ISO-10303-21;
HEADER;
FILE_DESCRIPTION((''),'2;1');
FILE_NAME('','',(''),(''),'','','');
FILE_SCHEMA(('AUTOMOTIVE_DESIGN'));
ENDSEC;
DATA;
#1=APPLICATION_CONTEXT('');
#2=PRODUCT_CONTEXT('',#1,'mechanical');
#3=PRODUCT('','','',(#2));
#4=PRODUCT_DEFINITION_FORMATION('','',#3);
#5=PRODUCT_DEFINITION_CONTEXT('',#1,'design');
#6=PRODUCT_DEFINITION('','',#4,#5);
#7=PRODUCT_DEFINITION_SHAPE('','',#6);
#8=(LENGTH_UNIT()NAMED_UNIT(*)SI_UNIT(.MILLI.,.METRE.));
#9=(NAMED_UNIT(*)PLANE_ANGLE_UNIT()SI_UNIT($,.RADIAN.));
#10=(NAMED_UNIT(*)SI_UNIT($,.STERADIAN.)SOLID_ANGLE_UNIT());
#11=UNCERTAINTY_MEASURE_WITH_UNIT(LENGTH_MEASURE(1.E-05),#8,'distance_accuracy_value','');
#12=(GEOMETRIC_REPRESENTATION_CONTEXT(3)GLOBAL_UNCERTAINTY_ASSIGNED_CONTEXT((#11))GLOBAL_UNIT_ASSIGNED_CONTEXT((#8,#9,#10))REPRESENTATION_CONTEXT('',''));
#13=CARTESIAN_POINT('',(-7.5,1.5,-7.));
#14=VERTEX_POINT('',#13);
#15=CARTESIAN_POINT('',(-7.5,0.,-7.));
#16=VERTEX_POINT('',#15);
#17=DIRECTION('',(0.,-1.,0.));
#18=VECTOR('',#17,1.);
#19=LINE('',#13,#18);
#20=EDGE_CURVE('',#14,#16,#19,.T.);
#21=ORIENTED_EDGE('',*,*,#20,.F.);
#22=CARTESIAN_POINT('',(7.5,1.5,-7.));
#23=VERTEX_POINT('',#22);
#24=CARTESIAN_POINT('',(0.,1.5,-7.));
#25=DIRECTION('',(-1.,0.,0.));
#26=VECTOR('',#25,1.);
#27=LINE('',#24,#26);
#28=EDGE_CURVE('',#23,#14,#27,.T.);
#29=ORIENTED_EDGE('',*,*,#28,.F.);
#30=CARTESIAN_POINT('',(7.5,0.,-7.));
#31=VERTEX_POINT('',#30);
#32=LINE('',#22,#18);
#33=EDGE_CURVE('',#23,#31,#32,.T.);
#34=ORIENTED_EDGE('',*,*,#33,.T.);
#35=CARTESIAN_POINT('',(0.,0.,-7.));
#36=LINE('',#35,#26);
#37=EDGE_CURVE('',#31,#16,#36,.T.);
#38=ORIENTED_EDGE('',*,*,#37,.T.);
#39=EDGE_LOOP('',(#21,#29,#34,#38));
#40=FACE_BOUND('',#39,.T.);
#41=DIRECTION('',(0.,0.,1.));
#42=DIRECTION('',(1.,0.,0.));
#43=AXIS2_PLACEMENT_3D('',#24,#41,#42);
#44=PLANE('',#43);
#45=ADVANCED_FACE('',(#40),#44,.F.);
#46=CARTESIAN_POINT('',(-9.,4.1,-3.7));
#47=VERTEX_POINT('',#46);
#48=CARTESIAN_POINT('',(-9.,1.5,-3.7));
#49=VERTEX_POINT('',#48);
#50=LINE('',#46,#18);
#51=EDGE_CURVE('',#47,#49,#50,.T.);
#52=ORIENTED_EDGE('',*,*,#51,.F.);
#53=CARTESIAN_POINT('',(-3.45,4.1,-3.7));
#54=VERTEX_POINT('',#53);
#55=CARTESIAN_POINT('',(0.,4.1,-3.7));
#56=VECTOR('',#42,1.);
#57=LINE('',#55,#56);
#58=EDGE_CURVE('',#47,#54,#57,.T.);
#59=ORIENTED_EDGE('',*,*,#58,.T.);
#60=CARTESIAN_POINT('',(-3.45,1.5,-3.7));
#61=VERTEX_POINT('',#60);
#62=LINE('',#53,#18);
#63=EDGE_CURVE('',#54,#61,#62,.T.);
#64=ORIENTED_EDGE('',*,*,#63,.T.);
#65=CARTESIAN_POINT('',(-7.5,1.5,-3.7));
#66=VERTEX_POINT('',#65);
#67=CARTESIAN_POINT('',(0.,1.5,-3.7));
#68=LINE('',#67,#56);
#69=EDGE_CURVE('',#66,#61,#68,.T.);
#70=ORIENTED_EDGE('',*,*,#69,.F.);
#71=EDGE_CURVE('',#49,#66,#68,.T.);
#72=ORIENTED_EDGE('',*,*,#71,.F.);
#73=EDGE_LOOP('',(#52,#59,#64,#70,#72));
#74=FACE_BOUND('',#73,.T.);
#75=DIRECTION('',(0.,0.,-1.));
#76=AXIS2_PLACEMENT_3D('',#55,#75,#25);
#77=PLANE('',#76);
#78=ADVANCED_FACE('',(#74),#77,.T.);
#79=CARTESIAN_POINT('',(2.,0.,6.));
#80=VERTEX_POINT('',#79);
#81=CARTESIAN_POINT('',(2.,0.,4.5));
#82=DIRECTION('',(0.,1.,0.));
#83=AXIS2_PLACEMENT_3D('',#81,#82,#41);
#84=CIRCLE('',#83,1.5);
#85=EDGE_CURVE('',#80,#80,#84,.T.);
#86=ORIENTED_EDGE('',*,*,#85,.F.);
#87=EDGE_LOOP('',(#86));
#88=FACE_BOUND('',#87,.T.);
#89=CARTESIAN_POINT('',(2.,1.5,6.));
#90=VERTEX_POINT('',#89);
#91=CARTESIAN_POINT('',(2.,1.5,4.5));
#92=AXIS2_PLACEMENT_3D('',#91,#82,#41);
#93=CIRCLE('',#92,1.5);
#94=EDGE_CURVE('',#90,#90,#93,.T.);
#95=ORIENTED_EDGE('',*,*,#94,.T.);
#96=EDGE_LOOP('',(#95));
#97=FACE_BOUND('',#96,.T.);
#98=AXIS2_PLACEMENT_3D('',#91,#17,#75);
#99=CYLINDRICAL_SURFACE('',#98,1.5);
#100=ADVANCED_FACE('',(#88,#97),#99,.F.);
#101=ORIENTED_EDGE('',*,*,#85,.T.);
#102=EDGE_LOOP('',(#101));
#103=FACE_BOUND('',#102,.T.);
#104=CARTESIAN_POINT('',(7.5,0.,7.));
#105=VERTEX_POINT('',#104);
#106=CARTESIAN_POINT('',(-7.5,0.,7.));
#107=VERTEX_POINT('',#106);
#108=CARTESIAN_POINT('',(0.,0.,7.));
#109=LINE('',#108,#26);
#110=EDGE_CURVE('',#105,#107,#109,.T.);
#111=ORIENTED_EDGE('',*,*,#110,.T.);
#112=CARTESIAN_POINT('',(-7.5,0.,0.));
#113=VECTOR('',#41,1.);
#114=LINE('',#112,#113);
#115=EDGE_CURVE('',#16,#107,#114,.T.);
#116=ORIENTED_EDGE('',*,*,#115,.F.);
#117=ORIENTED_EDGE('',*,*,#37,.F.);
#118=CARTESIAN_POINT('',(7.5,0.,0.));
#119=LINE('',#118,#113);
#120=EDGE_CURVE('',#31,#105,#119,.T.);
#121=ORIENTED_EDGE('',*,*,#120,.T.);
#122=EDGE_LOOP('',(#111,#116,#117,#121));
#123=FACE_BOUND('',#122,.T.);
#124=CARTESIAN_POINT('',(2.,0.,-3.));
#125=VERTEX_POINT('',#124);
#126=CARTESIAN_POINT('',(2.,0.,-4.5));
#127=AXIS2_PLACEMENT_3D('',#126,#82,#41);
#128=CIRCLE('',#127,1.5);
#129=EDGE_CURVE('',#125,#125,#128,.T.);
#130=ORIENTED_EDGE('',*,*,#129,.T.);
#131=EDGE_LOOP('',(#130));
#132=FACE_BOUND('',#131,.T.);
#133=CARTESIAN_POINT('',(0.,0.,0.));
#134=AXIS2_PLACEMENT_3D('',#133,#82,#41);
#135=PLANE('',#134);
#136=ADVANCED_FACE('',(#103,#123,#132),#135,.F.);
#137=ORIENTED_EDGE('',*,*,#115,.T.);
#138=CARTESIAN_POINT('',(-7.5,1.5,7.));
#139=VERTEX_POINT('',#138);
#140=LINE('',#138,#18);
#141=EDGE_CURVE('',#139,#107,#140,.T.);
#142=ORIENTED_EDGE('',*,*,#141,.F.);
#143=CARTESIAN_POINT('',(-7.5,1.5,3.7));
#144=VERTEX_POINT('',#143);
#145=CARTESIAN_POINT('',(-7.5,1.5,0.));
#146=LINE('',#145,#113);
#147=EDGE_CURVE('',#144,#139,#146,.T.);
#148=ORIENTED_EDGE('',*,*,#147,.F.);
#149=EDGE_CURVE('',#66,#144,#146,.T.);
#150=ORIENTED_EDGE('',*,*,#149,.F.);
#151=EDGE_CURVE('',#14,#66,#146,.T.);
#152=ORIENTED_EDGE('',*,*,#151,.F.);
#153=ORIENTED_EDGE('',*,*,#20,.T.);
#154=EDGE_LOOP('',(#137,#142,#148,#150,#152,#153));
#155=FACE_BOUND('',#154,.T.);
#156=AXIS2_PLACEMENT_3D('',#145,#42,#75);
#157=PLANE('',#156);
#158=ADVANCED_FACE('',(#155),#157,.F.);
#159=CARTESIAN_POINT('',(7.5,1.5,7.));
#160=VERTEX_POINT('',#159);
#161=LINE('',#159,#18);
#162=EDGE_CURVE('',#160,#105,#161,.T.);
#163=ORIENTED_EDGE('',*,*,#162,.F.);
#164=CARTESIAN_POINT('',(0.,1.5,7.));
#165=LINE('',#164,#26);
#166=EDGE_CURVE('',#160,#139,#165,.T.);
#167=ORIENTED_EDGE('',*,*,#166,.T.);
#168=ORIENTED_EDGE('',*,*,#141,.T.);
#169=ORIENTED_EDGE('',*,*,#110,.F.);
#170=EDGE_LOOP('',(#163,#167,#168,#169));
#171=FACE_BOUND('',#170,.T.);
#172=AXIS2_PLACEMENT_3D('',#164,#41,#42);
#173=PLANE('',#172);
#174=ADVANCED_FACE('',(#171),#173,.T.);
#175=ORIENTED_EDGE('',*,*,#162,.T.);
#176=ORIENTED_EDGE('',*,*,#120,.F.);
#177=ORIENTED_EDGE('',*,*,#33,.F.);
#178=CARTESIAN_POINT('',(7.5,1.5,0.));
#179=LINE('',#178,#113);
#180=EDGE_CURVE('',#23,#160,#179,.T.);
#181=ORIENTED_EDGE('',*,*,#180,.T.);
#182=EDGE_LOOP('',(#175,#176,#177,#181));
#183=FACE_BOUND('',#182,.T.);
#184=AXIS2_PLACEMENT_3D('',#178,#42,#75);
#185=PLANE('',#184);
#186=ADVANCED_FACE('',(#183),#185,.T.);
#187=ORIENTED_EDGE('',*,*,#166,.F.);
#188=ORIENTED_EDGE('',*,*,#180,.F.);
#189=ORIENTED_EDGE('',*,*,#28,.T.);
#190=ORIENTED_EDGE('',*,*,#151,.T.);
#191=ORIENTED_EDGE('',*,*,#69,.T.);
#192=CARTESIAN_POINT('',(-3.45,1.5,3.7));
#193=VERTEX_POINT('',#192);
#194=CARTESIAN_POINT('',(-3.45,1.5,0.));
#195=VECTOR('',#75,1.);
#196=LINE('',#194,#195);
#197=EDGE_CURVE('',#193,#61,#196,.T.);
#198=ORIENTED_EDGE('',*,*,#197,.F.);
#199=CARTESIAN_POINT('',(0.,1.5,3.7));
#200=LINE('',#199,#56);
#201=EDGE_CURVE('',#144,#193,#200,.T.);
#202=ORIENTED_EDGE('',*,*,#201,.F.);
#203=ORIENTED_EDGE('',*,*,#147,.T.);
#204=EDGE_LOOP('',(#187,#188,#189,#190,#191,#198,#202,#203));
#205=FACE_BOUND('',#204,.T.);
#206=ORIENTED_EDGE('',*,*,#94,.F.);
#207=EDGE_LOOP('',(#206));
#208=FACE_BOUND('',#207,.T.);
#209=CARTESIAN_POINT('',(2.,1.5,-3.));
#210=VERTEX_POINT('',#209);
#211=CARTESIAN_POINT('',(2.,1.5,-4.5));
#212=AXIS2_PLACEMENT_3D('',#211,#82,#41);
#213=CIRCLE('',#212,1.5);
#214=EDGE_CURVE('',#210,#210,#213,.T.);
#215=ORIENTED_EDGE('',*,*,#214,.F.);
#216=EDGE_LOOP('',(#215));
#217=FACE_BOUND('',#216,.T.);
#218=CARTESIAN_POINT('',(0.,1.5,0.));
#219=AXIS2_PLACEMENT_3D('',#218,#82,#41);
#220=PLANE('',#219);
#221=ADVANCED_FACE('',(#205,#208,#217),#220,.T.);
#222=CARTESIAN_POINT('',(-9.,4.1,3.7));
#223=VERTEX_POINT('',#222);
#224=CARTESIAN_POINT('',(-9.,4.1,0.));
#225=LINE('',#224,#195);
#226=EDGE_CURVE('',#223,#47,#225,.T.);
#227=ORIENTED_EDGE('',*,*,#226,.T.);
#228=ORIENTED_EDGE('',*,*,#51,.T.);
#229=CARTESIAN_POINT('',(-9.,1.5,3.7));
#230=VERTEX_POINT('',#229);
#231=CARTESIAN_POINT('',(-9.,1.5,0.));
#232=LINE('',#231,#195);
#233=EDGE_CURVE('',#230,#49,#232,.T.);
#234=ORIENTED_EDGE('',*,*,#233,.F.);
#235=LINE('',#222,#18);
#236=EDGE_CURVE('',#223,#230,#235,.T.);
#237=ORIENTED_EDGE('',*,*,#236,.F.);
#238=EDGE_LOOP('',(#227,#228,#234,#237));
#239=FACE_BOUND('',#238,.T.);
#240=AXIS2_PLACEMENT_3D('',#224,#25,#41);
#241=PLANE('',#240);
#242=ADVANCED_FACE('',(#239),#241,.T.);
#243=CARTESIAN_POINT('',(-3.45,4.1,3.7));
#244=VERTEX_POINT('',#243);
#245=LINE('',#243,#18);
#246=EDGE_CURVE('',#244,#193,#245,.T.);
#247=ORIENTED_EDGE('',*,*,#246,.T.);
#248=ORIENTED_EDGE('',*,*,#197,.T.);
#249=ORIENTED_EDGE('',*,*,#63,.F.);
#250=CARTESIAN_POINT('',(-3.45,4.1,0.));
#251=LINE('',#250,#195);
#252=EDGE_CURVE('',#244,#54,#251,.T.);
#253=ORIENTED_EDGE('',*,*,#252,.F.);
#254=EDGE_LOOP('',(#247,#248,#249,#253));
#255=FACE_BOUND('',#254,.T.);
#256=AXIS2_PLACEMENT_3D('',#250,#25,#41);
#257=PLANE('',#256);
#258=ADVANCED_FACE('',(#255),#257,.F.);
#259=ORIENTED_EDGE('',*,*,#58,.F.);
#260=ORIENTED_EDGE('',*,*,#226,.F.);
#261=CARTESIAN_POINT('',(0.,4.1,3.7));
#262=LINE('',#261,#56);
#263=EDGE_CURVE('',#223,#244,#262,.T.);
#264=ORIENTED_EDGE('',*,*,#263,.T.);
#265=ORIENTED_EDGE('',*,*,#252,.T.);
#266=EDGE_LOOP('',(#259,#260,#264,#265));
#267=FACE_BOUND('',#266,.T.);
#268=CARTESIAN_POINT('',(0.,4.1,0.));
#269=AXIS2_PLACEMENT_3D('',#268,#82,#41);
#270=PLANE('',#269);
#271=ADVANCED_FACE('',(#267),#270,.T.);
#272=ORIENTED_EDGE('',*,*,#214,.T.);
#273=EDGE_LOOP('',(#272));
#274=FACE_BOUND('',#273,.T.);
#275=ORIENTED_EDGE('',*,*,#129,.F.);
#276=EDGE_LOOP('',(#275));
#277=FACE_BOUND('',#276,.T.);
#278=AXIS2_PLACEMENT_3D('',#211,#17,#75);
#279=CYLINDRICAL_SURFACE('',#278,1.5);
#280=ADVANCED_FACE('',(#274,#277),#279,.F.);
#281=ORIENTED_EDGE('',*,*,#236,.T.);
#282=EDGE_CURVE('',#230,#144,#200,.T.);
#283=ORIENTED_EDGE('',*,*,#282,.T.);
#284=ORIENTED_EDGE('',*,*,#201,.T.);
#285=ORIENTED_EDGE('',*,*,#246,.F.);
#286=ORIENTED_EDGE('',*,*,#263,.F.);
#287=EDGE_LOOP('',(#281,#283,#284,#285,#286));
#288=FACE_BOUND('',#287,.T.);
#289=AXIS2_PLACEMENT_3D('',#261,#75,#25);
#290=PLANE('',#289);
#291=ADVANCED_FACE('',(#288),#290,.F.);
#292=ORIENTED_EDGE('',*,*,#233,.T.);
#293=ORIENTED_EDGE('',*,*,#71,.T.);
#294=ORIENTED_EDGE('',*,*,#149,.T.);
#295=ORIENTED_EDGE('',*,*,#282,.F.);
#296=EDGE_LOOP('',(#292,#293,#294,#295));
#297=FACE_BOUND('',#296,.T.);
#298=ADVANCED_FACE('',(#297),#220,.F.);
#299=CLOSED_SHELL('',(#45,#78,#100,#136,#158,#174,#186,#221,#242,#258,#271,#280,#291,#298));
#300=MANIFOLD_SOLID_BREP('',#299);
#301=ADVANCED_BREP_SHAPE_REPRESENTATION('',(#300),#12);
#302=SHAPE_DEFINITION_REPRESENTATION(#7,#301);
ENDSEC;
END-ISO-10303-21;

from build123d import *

# Parameters (mm, degrees)
SKETCH_1_W      = 3
SKETCH_1_H      = 14
SKETCH_1_W_2    = 4.05
SKETCH_1_H_2    = 7.4
EXTRUDE_1_DEPTH = 1.5
EXTRUDE_START   = 1.5
SKETCH_1_3_W    = 5.55
SKETCH_1_3_H    = 7.4
EXTRUDE_2_DEPTH = 2.6


with BuildPart() as part:
    # Эскиз1 → Бобышка-Вытянуть1 (new body)
    with BuildSketch(Plane(origin=(0, 0, 0), x_dir=(1, 0, 0), z_dir=(0, 1, 0))):
        with BuildLine():
            Line((4.5, 7), (2, 7))
            Line((2, 7), (2, 6))
            ThreePointArc((2, 6), (3.060660172, 5.560660172), (3.5, 4.5))
            ThreePointArc((3.5, 4.5), (3.060660172, 3.439339828), (2, 3))
            Line((2, 3), (2, -3))
            ThreePointArc((2, -3), (3.060660172, -3.439339828), (3.5, -4.5))
            ThreePointArc((3.5, -4.5), (3.060660172, -5.560660172), (2, -6))
            Line((2, -6), (2, -7))
            Line((2, -7), (4.5, -7))
            Line((4.5, -7), (4.5, 7))
        make_face()
        with Locations((6, 0)):
            Rectangle(SKETCH_1_W, SKETCH_1_H)
        with BuildLine():
            Line((-7.5, 7), (-7.5, 3.7))
            Line((-7.5, 3.7), (-3.45, 3.7))
            Line((-3.45, 3.7), (-3.45, -3.7))
            Line((-3.45, -3.7), (-7.5, -3.7))
            Line((-7.5, -3.7), (-7.5, -7))
            Line((-7.5, -7), (2, -7))
            Line((2, -7), (2, -6))
            ThreePointArc((2, -6), (0.5, -4.5), (2, -3))
            Line((2, -3), (2, 3))
            ThreePointArc((2, 3), (0.5, 4.5), (2, 6))
            Line((2, 6), (2, 7))
            Line((2, 7), (-7.5, 7))
        make_face()
        with Locations((-5.475, 0)):
            Rectangle(SKETCH_1_W_2, SKETCH_1_H_2)
    extrude(amount=EXTRUDE_1_DEPTH)

    # Эскиз1<3> → Бобышка-Вытянуть2 (add)
    with BuildSketch(Plane(origin=(0, 0, 0), x_dir=(1, 0, 0), z_dir=(0, 1, 0)).offset(EXTRUDE_START)):
        with Locations((-6.225, 0)):
            Rectangle(SKETCH_1_3_W, SKETCH_1_3_H)
    extrude(amount=EXTRUDE_2_DEPTH)


solid = part.part
